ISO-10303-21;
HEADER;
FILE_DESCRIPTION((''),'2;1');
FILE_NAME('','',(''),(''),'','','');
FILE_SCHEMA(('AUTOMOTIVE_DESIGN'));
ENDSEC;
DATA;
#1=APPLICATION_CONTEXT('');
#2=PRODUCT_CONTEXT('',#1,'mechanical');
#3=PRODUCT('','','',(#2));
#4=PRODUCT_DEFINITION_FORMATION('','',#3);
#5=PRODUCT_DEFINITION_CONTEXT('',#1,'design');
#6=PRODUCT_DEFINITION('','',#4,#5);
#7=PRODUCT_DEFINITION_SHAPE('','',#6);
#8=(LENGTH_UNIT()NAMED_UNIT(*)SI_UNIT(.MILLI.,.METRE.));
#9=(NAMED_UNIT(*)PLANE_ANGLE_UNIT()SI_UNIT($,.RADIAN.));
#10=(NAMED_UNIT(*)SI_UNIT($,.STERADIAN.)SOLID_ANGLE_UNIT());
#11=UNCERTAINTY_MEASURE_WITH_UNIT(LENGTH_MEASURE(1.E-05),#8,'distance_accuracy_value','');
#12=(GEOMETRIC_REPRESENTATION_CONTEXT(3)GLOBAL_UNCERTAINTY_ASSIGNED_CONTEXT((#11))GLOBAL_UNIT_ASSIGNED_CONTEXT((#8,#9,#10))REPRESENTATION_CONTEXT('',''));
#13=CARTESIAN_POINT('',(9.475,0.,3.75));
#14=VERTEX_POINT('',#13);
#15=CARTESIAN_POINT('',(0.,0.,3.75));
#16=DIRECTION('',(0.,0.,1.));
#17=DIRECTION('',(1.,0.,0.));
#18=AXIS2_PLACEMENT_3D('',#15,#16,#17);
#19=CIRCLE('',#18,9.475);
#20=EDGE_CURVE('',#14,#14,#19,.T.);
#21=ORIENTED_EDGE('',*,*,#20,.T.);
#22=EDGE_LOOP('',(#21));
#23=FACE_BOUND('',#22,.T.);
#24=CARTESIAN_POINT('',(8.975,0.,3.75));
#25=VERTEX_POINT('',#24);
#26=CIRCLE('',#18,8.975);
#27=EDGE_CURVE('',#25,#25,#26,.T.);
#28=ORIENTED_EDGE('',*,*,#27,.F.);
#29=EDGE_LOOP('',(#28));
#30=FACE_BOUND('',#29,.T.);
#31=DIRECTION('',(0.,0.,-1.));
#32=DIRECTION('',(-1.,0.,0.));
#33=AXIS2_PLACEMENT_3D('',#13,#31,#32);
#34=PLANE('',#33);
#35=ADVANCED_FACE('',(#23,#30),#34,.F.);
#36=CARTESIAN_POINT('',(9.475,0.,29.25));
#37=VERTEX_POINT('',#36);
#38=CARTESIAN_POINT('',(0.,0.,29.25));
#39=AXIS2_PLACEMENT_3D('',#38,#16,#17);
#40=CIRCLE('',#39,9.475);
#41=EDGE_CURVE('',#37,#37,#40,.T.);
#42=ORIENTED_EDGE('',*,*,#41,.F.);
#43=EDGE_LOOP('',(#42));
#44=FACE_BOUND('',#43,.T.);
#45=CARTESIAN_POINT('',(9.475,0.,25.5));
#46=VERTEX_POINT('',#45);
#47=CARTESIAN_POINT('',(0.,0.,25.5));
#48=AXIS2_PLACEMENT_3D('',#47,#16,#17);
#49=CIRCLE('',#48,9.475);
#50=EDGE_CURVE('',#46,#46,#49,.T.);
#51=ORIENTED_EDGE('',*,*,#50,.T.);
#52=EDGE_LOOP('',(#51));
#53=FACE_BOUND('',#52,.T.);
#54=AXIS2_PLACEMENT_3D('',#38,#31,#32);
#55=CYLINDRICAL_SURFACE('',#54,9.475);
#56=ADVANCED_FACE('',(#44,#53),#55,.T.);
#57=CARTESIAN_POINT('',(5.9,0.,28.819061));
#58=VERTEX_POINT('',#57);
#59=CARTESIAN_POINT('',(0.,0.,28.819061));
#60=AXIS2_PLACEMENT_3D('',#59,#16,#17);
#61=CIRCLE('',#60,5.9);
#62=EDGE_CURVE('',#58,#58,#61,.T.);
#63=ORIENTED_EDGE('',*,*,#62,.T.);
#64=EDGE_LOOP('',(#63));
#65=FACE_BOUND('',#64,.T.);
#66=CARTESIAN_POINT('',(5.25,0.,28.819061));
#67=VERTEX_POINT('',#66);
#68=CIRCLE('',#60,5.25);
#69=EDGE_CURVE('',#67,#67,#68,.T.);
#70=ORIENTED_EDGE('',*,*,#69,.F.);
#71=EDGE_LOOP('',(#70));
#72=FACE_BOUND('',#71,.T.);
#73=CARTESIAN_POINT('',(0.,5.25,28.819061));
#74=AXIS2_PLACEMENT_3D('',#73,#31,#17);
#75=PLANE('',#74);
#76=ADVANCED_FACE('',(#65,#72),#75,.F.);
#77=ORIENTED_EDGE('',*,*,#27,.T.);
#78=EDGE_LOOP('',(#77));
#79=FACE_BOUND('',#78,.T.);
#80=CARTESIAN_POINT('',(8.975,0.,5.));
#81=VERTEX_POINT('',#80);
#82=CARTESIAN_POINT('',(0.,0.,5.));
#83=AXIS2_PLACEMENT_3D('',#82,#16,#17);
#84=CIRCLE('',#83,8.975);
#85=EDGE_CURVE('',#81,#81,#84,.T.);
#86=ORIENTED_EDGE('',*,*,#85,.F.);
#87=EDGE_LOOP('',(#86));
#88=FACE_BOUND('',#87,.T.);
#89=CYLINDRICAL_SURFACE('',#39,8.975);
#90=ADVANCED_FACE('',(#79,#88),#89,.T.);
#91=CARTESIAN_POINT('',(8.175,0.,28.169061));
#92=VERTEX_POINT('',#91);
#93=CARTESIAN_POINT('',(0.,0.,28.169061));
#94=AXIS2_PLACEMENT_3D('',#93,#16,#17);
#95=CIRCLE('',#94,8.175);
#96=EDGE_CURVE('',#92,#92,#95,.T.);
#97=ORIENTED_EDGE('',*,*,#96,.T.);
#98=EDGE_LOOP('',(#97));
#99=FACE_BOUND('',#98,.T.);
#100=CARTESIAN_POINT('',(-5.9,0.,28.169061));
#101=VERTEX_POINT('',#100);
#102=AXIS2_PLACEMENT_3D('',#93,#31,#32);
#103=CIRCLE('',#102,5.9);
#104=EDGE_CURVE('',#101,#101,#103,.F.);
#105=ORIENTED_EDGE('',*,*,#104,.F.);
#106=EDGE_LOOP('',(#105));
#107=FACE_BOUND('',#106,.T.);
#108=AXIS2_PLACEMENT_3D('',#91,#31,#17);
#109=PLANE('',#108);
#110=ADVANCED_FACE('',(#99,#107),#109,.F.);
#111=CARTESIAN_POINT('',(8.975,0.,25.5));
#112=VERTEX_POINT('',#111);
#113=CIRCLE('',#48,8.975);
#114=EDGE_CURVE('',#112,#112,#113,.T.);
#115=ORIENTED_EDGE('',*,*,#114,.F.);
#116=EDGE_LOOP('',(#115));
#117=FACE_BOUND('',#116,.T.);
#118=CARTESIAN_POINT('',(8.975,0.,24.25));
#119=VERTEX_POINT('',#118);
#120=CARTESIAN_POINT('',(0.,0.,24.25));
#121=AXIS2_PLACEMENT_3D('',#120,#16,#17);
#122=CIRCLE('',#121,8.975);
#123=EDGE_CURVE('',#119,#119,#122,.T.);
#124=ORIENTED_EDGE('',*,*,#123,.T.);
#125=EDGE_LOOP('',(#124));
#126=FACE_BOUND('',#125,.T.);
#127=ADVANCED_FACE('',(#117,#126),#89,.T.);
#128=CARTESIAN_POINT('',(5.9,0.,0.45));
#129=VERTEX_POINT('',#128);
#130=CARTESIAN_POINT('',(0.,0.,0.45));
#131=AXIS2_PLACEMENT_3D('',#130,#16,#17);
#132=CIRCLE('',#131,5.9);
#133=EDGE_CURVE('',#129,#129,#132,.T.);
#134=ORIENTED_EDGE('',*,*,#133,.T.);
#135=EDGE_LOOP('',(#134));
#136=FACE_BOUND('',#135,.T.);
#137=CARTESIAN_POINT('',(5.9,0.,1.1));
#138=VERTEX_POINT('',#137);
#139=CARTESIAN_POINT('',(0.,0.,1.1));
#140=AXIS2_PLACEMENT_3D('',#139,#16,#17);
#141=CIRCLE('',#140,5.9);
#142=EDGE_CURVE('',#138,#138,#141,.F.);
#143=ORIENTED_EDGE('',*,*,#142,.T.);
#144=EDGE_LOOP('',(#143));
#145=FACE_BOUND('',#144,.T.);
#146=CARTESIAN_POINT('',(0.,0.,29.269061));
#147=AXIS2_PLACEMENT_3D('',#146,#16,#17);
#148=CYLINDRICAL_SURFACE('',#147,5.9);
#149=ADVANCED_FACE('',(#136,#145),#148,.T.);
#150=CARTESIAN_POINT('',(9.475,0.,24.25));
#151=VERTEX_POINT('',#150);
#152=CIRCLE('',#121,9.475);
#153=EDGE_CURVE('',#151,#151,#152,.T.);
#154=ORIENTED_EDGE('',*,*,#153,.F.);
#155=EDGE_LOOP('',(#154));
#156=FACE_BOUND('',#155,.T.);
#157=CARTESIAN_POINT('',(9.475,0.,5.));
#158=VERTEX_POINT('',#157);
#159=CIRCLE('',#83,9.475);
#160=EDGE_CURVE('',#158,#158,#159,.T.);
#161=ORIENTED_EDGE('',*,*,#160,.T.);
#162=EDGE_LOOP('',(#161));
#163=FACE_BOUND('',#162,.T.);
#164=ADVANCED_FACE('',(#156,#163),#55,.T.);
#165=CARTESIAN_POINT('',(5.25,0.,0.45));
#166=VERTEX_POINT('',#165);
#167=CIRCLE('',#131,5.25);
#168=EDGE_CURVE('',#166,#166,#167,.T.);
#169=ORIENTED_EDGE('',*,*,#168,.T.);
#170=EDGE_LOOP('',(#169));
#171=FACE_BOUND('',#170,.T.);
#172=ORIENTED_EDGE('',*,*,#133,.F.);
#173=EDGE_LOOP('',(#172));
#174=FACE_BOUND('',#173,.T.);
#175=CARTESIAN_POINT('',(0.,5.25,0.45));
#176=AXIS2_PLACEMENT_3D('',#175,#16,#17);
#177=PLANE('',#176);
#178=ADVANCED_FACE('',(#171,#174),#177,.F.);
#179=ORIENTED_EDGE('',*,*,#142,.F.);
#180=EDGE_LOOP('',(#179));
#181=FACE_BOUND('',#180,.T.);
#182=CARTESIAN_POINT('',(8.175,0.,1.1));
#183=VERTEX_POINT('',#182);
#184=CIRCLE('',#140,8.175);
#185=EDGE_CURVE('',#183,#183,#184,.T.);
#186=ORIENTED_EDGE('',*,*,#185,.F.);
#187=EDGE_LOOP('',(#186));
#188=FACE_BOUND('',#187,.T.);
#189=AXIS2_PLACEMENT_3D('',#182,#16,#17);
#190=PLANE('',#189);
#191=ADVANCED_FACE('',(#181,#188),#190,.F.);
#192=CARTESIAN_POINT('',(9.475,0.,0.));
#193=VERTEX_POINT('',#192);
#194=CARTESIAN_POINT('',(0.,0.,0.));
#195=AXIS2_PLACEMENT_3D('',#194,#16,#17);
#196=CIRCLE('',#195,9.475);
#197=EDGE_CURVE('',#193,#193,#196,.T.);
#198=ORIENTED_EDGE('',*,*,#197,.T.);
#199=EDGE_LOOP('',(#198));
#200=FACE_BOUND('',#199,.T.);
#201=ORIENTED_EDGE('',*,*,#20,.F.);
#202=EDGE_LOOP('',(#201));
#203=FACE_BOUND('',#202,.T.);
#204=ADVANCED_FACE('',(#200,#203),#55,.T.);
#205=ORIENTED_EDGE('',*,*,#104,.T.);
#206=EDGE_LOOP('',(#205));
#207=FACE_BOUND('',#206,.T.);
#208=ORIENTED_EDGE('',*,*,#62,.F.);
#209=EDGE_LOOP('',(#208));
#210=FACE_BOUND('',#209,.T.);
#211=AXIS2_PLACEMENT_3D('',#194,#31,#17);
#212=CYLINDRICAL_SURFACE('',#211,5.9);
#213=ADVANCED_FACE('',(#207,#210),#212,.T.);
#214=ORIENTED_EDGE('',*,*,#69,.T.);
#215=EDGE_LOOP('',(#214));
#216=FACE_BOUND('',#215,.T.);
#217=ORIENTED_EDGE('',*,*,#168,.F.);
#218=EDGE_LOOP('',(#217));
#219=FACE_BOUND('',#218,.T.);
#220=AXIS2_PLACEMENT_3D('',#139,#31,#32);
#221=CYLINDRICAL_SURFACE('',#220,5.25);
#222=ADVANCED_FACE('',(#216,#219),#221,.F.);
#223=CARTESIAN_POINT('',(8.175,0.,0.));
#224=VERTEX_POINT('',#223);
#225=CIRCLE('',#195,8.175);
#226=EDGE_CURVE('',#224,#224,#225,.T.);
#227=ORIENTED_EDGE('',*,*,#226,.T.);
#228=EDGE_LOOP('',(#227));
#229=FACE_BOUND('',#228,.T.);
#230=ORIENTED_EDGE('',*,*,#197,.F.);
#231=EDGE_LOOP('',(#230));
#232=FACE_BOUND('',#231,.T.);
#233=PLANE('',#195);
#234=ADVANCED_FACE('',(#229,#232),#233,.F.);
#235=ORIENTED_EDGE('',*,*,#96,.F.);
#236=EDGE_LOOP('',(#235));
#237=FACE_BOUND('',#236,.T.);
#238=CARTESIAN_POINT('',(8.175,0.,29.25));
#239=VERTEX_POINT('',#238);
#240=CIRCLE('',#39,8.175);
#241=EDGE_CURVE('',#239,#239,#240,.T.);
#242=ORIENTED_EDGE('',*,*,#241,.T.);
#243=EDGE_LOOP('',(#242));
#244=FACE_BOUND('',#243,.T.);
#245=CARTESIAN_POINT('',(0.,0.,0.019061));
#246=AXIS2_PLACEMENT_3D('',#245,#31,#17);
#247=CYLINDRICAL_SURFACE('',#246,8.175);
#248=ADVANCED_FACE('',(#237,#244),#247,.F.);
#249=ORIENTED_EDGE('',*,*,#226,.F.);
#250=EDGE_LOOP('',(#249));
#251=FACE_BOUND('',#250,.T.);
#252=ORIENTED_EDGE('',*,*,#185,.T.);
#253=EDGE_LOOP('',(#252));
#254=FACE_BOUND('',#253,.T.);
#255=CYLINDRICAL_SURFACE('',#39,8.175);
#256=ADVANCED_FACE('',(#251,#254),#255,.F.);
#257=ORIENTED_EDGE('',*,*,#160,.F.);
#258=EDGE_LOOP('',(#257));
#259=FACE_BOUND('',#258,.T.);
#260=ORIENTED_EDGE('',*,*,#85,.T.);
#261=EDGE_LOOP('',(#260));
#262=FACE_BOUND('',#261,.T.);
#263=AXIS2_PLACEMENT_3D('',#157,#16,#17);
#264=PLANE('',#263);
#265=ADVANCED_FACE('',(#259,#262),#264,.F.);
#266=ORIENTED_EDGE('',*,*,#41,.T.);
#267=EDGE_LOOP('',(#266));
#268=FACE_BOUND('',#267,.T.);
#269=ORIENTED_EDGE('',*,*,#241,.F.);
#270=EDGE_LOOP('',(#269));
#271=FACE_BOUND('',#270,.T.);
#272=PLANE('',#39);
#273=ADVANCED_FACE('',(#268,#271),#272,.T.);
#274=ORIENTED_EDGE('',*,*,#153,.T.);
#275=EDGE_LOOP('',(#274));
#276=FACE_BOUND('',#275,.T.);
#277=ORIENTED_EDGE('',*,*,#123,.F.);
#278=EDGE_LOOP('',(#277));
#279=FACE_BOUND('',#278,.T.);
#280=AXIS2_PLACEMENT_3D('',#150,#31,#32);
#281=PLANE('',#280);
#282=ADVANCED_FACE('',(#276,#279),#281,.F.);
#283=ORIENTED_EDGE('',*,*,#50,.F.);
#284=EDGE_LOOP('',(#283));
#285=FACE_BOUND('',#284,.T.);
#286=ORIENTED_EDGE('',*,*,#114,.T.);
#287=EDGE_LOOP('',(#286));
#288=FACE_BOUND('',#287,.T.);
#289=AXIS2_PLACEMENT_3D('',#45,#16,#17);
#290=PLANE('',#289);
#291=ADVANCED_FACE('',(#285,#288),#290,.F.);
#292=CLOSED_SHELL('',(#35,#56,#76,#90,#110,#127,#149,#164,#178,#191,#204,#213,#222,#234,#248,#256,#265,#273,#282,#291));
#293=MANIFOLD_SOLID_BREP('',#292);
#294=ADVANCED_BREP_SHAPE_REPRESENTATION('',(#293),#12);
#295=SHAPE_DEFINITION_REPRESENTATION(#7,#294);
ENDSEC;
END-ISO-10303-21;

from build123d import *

# Parameters (mm, degrees)
SKETCH1_R                    = 9.475
BOSS_EXTRUDE1_DEPTH          = 29.25
SKETCH2_W                    = 0.5
SKETCH2_H                    = 1.25
SKETCH3_W                    = 8.175
SKETCH3_H                    = 1.1
F_10_5_10_5_DIAMETER_HOLE1_D = 10.5
SKETCH10_W                   = 0.65
SKETCH10_H                   = 0.65


with BuildPart() as part:
    # Sketch1 → Boss-Extrude1 (new body)
    with BuildSketch(Plane.XY):
        Circle(SKETCH1_R)
    extrude(amount=BOSS_EXTRUDE1_DEPTH)

    # Sketch2 → Cut-Revolve1 (revolve, cut)
    with BuildSketch(Plane(origin=(0, 0, 0), x_dir=(1, 0, 0), z_dir=(0, 1, 0))):
        with Locations((9.225, -4.375)):
            Rectangle(SKETCH2_W, SKETCH2_H)
        with Locations((9.225, -24.875)):
            Rectangle(SKETCH2_W, SKETCH2_H)
    revolve(axis=Axis((0, 0, 29.25), (0, 0, -1)), mode=Mode.SUBTRACT)

    # Sketch3 → Cut-Revolve2 (revolve, cut)
    with BuildSketch(Plane(origin=(0, 0, 0), x_dir=(1, 0, 0), z_dir=(0, 1, 0))):
        with Locations((4.0875, -0.55)):
            Rectangle(SKETCH3_W, SKETCH3_H)
    cut_revolve2 = revolve(axis=Axis((0, 0, 29.25), (0, 0, -1)), mode=Mode.SUBTRACT)

    # Mirror1: Cut-Revolve2 across plane
    add(cut_revolve2.mirror(Plane.XY.offset(14.634530548)), mode=Mode.SUBTRACT)

    # Ø10.5 (10.5) Diameter Hole1 (through all)
    with Locations(Plane(origin=(0, 0, 1.1), x_dir=(-1, 0, 0), z_dir=(0, 0, -1))):
        with Locations((0, 0)):
            Hole(F_10_5_10_5_DIAMETER_HOLE1_D / 2)

    # Sketch10 → Revolve1 (revolve)
    with BuildSketch(Plane(origin=(0, 0, 0), x_dir=(0, 0, -1), z_dir=(1, 0, 0)), mode=Mode.PRIVATE) as revolve1_sk:
        with Locations((-0.775, 5.575)):
            Rectangle(SKETCH10_W, SKETCH10_H)
    revolve1 = revolve(revolve1_sk.sketch.rotate(Axis((0, 0, 29.269061095), (0, 0, -1)), 270), axis=Axis((0, 0, 29.269061095), (0, 0, -1)))

    # Mirror2: Revolve1 across plane
    add(revolve1.mirror(Plane.XY.offset(14.634530548)))


solid = part.part
